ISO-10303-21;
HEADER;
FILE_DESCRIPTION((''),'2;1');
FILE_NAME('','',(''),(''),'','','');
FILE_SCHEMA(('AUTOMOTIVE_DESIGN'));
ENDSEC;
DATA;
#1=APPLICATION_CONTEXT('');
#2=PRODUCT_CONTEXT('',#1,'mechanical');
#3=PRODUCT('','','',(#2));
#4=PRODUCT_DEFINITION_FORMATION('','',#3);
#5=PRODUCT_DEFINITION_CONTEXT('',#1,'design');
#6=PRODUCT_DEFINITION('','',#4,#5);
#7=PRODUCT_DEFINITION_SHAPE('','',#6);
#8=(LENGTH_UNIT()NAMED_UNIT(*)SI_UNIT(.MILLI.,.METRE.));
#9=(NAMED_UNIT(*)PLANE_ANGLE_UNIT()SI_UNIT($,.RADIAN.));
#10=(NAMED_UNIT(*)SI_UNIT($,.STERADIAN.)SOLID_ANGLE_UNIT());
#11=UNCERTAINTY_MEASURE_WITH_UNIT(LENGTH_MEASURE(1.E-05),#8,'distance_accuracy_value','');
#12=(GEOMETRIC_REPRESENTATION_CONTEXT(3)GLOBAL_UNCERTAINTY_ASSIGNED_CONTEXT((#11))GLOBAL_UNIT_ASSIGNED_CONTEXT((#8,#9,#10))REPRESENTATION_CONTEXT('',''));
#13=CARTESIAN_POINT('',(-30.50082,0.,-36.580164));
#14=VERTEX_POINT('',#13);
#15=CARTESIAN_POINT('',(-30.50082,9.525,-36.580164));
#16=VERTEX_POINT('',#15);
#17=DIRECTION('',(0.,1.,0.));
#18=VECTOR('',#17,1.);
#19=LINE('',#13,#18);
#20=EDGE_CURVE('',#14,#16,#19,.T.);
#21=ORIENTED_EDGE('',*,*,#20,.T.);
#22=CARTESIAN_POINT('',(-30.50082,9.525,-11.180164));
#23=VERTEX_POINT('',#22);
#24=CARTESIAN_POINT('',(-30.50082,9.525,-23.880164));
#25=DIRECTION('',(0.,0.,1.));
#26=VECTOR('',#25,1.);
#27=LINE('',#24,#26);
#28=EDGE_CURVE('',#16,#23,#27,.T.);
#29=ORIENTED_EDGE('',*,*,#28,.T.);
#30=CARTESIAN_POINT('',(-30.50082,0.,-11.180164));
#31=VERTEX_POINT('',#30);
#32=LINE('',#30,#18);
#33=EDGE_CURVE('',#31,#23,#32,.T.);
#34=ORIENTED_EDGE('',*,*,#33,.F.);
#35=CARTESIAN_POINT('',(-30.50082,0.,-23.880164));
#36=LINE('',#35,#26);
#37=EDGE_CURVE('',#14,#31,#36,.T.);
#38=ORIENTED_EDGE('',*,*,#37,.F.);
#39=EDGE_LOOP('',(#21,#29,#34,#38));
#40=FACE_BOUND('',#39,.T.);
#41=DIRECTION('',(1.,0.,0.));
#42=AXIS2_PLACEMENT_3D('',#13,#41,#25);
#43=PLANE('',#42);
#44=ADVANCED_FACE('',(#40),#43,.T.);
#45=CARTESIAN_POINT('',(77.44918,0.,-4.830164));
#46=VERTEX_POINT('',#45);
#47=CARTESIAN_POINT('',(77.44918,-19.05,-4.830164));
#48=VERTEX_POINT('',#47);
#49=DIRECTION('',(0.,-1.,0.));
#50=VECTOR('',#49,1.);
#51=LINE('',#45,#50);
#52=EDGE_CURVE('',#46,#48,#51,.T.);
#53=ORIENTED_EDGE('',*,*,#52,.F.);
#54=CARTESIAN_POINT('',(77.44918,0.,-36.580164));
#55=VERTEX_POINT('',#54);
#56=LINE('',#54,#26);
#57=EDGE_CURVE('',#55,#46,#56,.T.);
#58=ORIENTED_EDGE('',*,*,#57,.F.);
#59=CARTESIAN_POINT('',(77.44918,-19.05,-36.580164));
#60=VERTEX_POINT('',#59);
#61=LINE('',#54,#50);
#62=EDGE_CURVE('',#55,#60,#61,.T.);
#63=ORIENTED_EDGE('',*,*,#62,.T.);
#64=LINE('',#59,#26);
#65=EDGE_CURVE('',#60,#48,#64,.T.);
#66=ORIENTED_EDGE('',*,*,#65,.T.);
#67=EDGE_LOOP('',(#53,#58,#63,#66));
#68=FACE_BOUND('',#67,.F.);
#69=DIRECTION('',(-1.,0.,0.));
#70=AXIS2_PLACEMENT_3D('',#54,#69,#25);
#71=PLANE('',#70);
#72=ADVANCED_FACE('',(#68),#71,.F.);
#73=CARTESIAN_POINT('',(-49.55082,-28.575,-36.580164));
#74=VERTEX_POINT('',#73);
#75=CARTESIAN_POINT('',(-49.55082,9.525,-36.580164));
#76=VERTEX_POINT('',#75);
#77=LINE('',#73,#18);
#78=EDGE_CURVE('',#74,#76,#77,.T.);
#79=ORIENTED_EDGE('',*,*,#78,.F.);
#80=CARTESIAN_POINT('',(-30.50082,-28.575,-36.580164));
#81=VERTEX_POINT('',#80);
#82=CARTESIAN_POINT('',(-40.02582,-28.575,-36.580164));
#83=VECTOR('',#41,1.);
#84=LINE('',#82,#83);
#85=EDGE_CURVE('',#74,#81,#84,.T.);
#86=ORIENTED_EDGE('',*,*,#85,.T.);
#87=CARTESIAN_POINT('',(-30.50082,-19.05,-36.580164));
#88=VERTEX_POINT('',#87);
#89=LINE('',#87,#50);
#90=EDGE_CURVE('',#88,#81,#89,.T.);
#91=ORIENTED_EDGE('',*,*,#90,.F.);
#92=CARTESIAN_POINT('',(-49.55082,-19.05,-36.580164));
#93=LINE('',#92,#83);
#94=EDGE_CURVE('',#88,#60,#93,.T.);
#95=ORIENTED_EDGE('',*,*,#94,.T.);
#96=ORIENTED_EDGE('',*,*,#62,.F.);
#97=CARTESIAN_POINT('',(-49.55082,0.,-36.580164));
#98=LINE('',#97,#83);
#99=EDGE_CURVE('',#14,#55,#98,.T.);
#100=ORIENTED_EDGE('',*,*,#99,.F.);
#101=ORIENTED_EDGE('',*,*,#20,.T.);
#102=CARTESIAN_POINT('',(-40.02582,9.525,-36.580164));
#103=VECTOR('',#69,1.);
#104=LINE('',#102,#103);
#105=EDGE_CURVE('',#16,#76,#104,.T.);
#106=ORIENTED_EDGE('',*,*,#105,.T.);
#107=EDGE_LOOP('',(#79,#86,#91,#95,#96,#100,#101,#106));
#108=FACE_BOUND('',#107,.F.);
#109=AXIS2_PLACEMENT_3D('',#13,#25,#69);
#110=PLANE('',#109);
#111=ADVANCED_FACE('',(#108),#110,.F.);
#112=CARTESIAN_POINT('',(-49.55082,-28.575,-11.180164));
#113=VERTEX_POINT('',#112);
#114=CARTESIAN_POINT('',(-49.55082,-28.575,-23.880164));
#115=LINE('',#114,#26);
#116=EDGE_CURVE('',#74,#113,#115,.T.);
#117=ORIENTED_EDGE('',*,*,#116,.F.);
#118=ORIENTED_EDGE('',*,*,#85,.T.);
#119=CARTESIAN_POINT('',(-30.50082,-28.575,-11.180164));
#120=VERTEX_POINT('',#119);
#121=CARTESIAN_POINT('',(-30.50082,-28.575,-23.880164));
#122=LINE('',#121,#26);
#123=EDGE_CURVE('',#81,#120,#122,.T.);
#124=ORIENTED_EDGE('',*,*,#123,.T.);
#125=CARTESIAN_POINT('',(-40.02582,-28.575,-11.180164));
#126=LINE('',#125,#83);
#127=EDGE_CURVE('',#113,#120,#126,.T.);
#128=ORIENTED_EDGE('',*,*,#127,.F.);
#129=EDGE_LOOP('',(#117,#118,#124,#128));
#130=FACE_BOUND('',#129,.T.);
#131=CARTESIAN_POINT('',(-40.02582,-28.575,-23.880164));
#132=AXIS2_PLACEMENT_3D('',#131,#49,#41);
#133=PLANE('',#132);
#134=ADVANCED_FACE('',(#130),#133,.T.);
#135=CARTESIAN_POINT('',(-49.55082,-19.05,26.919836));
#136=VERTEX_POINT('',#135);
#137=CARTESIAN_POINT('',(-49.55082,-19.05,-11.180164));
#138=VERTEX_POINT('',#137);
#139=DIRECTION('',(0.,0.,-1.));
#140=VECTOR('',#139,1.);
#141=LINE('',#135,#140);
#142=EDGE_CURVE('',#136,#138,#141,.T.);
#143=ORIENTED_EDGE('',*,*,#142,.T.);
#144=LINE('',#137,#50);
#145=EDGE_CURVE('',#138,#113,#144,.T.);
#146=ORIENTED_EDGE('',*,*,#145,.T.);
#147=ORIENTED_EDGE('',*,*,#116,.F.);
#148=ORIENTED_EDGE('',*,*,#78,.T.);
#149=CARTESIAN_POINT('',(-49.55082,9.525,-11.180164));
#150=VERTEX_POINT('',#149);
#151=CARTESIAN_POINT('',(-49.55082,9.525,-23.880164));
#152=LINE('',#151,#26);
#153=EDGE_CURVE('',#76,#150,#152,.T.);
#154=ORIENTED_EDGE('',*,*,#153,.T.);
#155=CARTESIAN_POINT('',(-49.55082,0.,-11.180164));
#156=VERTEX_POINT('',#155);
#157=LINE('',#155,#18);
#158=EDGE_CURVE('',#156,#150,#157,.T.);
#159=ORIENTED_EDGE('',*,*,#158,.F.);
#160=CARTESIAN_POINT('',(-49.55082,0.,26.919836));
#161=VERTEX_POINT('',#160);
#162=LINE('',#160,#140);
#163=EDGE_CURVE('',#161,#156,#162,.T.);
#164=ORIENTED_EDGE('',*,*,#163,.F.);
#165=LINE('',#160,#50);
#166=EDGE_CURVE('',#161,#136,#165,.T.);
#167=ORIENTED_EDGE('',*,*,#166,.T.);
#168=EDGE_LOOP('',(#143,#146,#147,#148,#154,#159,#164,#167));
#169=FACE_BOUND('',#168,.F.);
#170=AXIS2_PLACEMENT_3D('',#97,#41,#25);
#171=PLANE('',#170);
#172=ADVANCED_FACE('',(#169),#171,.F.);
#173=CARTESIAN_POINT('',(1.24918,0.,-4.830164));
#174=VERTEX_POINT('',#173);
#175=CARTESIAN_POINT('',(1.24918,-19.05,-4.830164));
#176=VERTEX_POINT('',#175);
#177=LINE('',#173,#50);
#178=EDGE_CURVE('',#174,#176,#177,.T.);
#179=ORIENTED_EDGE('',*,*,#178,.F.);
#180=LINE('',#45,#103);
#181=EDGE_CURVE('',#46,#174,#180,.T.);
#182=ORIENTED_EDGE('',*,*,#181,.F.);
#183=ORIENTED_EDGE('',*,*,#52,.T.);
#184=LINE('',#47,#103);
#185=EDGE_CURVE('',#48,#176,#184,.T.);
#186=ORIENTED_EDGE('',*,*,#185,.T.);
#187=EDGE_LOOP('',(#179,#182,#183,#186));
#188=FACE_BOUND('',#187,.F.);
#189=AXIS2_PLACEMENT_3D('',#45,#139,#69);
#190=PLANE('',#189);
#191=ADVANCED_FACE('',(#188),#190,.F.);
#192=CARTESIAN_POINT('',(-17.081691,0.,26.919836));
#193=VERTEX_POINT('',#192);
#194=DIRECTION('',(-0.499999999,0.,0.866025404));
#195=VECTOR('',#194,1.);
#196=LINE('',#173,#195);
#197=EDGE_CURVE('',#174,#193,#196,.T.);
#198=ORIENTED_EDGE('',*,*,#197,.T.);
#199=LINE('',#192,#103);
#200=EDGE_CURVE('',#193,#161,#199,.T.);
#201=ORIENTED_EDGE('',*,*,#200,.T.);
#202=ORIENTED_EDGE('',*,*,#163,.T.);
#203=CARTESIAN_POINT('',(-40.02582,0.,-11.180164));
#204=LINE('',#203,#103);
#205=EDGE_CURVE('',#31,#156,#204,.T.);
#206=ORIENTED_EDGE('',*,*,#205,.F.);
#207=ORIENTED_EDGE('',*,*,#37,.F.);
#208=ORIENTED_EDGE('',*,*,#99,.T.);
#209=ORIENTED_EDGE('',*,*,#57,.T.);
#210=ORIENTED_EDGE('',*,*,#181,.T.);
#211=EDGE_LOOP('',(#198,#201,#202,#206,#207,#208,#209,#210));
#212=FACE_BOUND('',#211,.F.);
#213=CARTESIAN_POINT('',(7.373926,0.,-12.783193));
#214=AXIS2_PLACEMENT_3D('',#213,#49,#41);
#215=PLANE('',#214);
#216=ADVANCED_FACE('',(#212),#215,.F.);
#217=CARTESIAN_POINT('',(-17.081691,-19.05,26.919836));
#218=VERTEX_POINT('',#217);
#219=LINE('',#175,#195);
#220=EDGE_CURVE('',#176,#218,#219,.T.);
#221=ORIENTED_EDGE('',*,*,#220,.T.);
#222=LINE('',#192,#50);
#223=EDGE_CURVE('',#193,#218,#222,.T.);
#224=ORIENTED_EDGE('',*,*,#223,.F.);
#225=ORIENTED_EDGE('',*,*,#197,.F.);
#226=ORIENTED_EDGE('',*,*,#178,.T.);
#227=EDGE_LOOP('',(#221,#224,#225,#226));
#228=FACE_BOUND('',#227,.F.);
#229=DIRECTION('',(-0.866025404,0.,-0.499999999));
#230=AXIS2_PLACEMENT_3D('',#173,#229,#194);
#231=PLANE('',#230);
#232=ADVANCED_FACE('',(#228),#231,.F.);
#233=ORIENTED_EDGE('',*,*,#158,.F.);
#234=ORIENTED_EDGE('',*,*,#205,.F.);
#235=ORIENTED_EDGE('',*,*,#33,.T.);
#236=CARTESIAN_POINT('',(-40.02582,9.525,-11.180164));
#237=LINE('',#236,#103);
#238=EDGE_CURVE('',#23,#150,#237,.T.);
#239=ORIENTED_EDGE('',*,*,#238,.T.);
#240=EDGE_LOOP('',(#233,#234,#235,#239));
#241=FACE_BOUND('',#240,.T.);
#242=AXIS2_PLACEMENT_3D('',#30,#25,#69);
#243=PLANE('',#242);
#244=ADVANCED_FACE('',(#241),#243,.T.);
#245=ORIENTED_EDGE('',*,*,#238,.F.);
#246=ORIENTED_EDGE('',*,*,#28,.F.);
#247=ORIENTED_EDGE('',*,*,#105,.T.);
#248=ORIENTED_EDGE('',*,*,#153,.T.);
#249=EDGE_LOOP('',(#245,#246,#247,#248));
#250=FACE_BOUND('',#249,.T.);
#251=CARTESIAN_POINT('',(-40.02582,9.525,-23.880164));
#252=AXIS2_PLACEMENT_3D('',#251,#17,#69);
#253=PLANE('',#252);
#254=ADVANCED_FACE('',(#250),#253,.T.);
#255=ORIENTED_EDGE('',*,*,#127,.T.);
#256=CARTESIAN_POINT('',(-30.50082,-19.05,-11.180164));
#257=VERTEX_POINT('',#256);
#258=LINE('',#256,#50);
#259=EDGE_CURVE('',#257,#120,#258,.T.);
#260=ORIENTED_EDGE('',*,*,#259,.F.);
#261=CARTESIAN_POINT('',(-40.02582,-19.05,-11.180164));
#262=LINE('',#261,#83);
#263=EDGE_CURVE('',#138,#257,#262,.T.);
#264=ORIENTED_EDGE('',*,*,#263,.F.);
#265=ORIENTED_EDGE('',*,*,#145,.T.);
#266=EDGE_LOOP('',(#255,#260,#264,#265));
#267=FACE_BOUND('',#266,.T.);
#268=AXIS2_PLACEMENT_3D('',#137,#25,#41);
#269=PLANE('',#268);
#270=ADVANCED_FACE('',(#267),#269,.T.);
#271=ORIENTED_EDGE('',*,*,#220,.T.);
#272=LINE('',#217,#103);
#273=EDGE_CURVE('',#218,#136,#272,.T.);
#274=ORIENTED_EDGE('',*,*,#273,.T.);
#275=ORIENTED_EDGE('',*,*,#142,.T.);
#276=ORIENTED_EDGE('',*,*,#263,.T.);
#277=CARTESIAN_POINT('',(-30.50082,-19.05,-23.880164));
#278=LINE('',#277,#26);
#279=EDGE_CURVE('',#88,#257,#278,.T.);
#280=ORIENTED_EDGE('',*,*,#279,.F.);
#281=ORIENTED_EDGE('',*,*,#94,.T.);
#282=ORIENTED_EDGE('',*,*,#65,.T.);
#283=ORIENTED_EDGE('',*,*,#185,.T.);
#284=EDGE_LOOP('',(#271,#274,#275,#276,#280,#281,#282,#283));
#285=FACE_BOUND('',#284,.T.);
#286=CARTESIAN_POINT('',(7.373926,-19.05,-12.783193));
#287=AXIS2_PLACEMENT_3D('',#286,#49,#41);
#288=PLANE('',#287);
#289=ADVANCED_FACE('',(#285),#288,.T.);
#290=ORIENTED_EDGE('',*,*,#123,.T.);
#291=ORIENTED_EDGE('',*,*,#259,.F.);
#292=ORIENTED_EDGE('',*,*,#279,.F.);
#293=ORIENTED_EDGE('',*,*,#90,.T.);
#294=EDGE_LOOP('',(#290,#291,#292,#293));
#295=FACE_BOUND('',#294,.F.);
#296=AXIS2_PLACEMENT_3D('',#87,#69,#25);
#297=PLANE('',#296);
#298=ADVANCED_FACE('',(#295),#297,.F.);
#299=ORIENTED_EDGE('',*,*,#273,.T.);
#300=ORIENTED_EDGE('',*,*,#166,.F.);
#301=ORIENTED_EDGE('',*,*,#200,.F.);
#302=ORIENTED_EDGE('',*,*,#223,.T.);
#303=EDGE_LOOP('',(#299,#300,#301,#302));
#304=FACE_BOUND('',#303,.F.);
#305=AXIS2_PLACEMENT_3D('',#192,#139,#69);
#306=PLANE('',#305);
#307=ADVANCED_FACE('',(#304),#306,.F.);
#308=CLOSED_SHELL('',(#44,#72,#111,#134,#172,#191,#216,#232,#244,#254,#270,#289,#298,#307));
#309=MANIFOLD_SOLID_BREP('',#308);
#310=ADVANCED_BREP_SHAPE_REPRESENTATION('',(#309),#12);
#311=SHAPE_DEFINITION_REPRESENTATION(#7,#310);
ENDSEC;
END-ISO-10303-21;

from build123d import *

# Parameters (mm, degrees)
F1_DEPTH = 19.05
F2_W     = 19.05
F2_H     = 25.4
F3_DEPTH = 9.525
F4_W     = 19.05
F4_H     = 25.4
F5_DEPTH = 9.525


with BuildPart() as f1:
    # F0 (on Front) → F1 (new body)
    with BuildSketch(Plane.XZ):
        Polygon((-49.55082, 26.919836), (-49.55082, -36.580164), (77.44918, -36.580164), (77.44918, -4.830164), (1.24918, -4.830164), (-17.081691, 26.919836), align=None)
    extrude(amount=F1_DEPTH)

    # F2 (on face) → F3 (join)
    with BuildSketch(Plane.XZ.offset(19.05)):
        with Locations((-40.02582, -23.880164)):
            Rectangle(F2_W, F2_H)
    extrude(amount=F3_DEPTH)

    # F4 (on face) → F5 (join)
    with BuildSketch(Plane(origin=(0, 0, 0), x_dir=(-1, 0, 0), z_dir=(0, 1, 0))):
        with Locations((40.02582, -23.880164)):
            Rectangle(F4_W, F4_H)
    extrude(amount=F5_DEPTH)


solid = f1.part
